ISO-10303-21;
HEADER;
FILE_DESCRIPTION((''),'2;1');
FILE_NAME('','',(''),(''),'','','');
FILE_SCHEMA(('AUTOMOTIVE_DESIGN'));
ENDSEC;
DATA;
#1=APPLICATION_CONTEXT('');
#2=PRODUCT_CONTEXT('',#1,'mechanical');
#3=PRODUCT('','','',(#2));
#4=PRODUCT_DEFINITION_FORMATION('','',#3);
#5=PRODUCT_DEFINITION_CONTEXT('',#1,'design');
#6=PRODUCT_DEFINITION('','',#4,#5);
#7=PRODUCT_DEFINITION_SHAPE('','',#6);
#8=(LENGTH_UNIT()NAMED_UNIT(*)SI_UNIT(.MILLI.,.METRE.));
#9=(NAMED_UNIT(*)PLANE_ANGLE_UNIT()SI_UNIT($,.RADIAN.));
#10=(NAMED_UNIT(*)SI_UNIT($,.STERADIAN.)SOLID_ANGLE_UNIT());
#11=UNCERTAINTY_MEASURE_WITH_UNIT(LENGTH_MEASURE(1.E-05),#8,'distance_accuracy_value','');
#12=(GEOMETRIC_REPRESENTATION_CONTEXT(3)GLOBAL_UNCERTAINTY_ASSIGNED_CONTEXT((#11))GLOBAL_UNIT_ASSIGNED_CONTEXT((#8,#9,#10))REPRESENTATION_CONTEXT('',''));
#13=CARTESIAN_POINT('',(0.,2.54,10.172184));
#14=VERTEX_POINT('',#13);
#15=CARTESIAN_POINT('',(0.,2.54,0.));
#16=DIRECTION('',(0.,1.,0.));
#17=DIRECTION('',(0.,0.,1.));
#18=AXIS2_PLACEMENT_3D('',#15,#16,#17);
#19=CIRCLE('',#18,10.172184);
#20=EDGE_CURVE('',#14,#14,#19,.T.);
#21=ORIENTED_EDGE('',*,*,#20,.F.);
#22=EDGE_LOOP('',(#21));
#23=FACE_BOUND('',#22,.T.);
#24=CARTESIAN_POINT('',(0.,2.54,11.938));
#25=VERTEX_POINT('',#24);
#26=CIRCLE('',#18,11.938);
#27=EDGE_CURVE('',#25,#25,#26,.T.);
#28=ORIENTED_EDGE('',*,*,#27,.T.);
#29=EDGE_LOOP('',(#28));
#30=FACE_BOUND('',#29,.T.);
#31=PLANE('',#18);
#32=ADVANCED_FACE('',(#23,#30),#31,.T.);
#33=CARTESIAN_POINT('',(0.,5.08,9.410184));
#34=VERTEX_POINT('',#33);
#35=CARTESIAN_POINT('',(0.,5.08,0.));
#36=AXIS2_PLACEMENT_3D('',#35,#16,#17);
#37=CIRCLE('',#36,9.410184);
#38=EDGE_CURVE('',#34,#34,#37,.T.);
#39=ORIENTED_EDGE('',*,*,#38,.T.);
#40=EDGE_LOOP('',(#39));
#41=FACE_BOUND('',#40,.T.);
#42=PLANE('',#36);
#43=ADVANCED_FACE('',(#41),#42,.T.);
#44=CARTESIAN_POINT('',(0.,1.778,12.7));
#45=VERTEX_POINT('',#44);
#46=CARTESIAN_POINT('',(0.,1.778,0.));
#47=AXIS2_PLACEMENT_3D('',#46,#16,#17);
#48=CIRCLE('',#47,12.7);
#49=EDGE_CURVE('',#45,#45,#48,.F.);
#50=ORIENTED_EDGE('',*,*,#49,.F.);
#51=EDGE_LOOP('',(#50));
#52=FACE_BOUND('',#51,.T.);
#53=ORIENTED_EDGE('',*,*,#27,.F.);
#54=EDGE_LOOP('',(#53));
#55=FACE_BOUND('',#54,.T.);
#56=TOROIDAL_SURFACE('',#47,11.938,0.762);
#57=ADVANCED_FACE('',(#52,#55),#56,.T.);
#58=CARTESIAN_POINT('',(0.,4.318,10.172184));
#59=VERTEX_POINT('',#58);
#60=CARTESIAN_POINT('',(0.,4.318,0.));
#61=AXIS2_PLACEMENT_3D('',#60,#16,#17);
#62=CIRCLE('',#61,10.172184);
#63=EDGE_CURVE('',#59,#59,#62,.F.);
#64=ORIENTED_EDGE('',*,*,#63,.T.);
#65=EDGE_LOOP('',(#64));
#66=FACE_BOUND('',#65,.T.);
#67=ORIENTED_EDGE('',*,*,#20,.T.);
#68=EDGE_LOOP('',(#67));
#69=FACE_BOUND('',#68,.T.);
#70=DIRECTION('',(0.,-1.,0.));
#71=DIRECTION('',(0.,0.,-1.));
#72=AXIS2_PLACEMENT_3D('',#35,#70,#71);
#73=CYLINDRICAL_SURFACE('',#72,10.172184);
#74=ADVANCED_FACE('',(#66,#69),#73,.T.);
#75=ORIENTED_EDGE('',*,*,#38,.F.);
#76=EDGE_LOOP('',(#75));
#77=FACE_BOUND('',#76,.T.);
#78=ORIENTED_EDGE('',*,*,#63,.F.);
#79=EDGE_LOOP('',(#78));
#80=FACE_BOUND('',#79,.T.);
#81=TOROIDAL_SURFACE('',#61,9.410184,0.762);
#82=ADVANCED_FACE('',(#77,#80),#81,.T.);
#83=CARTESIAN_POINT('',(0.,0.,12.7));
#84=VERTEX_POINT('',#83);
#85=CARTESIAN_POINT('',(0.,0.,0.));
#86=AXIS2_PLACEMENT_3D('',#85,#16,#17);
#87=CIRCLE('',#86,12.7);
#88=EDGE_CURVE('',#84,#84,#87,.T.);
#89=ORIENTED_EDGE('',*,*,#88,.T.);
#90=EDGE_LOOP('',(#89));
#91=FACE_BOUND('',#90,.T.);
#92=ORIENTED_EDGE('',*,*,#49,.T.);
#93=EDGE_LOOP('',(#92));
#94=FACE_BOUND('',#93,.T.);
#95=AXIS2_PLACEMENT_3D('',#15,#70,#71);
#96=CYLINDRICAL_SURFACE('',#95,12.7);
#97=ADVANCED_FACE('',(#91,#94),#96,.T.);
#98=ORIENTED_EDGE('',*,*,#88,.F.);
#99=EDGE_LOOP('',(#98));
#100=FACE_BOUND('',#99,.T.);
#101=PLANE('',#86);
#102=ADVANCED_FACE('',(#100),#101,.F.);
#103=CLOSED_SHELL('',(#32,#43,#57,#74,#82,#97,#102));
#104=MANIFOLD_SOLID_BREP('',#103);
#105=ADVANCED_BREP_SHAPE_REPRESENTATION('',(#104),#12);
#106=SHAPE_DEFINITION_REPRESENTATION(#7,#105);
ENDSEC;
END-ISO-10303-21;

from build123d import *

# Parameters (mm, degrees)
SKETCH1_R           = 12.7
BOSS_EXTRUDE1_DEPTH = 2.54
SKETCH2_R           = 10.172184257
BOSS_EXTRUDE2_DEPTH = 2.54
FILLET1_R           = 0.762
FILLET2_R           = 0.762


with BuildPart() as part:
    # Sketch1 → Boss-Extrude1 (new body)
    with BuildSketch(Plane(origin=(0, 0, 0), x_dir=(1, 0, 0), z_dir=(0, 1, 0))):
        with Locations(Location((0, 0, 0), (0, 0, 270))):
            Circle(SKETCH1_R)
    extrude(amount=BOSS_EXTRUDE1_DEPTH)

    # Sketch2 → Boss-Extrude2 (add)
    with BuildSketch(Plane(origin=(0, 2.54, 0), x_dir=(1, 0, 0), z_dir=(0, 1, 0))):
        with Locations(Location((0, 0, 0), (0, 0, 270))):
            Circle(SKETCH2_R)
    extrude(amount=BOSS_EXTRUDE2_DEPTH)

    # Fillet1
    fillet1_edges = [part.edges().sort_by_distance(p)[0] for p in [
        (0, 2.54, -12.7),
    ]]
    fillet(fillet1_edges, radius=FILLET1_R)

    # Fillet2
    fillet2_edges = [part.edges().sort_by_distance(p)[0] for p in [
        (0, 5.08, -10.172184257),
    ]]
    fillet(fillet2_edges, radius=FILLET2_R)


solid = part.part
